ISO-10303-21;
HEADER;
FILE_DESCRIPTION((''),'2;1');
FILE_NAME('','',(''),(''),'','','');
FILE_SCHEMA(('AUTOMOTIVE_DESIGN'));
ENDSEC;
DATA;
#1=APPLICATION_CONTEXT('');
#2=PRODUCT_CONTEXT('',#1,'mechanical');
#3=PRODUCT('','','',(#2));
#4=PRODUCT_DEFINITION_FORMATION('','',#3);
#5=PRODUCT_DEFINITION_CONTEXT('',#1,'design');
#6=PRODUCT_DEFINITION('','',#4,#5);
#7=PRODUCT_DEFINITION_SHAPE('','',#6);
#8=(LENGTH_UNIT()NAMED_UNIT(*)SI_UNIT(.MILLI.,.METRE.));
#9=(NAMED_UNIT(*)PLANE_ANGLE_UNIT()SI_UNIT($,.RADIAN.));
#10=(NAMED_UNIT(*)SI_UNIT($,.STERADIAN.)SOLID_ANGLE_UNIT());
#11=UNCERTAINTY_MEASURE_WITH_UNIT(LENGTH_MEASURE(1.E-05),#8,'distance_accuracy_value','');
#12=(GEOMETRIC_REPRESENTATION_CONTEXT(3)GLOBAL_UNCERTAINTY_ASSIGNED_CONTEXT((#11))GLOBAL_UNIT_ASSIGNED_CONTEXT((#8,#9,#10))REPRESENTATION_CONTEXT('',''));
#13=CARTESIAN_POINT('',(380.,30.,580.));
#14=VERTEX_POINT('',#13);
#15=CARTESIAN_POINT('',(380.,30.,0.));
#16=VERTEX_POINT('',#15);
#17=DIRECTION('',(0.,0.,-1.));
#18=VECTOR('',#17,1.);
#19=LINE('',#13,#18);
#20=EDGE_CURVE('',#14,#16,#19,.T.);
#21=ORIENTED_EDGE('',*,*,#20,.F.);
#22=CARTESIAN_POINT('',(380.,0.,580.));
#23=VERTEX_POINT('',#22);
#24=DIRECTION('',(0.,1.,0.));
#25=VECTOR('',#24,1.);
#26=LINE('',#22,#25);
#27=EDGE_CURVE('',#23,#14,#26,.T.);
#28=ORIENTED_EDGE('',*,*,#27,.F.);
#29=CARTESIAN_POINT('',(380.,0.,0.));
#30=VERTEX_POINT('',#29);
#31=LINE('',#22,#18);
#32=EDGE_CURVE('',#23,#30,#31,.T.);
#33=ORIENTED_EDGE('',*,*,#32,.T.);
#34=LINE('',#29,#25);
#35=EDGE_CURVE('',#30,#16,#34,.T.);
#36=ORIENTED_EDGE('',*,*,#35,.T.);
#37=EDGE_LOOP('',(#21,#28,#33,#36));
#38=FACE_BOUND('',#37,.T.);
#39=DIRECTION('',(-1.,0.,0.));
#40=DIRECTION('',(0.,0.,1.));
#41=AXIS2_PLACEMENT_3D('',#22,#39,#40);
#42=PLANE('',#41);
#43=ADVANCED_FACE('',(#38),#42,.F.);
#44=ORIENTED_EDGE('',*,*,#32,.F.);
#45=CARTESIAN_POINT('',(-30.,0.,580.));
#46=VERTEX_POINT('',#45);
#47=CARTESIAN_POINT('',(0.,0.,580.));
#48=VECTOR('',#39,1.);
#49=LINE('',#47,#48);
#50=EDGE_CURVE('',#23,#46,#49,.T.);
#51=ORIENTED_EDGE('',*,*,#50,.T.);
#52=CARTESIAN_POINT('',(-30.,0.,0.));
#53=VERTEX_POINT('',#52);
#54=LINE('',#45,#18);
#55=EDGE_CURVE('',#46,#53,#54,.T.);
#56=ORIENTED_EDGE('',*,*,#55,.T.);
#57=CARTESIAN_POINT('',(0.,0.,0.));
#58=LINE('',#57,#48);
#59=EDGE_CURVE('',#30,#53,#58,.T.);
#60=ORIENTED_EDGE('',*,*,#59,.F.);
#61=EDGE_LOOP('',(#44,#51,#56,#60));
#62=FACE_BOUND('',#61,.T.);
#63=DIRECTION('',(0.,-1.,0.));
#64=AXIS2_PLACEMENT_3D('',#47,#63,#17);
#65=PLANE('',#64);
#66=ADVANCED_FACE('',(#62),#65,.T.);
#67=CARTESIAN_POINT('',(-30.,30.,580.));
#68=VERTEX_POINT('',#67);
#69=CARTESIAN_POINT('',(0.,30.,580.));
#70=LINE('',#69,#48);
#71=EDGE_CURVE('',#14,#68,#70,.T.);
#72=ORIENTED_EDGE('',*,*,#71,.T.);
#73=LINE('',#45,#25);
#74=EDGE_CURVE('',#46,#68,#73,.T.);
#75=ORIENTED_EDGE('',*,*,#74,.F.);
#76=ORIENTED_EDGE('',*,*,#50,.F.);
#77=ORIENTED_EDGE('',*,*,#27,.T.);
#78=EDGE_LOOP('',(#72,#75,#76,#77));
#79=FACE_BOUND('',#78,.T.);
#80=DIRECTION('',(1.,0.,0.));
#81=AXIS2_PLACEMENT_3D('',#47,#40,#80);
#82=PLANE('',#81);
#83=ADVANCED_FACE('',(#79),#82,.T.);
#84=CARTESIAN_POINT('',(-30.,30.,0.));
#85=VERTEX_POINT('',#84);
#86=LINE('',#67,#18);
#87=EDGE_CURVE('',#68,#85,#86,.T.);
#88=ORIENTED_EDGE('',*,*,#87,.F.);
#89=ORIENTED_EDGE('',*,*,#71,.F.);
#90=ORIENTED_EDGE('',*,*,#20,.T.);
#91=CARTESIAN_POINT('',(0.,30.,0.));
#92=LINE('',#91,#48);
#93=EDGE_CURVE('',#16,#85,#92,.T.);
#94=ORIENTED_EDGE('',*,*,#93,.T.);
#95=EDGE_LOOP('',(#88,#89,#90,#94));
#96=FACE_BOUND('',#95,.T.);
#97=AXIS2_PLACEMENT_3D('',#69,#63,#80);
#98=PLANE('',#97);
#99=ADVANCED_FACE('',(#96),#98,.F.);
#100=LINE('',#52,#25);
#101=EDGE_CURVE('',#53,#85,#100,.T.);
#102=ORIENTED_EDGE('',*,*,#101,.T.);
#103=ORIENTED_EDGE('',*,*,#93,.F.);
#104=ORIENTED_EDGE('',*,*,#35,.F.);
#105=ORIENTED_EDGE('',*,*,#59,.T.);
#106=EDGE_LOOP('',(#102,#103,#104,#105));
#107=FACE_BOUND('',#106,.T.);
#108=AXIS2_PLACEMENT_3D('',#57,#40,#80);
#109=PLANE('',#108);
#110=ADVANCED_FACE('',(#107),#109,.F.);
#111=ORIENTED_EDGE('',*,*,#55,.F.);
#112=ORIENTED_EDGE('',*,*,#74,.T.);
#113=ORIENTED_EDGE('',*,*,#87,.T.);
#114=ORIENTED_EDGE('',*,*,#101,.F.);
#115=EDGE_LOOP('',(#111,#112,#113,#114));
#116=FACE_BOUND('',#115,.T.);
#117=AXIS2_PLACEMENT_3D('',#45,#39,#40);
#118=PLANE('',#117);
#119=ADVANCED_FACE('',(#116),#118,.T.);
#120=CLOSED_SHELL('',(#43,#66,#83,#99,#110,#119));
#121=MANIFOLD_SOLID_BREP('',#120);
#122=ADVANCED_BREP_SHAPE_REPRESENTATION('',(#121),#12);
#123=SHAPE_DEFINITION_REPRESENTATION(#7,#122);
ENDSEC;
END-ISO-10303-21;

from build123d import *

# Parameters (mm, degrees)
ESQUISSE1_W        = 410
ESQUISSE1_H        = 30
BOSS_EXTRU_1_DEPTH = 580


with BuildPart() as part:
    # Esquisse1 → Boss.-Extru.1 (new body)
    with BuildSketch(Plane.XY):
        with Locations((175, 15)):
            Rectangle(ESQUISSE1_W, ESQUISSE1_H)
    extrude(amount=BOSS_EXTRU_1_DEPTH)


solid = part.part
